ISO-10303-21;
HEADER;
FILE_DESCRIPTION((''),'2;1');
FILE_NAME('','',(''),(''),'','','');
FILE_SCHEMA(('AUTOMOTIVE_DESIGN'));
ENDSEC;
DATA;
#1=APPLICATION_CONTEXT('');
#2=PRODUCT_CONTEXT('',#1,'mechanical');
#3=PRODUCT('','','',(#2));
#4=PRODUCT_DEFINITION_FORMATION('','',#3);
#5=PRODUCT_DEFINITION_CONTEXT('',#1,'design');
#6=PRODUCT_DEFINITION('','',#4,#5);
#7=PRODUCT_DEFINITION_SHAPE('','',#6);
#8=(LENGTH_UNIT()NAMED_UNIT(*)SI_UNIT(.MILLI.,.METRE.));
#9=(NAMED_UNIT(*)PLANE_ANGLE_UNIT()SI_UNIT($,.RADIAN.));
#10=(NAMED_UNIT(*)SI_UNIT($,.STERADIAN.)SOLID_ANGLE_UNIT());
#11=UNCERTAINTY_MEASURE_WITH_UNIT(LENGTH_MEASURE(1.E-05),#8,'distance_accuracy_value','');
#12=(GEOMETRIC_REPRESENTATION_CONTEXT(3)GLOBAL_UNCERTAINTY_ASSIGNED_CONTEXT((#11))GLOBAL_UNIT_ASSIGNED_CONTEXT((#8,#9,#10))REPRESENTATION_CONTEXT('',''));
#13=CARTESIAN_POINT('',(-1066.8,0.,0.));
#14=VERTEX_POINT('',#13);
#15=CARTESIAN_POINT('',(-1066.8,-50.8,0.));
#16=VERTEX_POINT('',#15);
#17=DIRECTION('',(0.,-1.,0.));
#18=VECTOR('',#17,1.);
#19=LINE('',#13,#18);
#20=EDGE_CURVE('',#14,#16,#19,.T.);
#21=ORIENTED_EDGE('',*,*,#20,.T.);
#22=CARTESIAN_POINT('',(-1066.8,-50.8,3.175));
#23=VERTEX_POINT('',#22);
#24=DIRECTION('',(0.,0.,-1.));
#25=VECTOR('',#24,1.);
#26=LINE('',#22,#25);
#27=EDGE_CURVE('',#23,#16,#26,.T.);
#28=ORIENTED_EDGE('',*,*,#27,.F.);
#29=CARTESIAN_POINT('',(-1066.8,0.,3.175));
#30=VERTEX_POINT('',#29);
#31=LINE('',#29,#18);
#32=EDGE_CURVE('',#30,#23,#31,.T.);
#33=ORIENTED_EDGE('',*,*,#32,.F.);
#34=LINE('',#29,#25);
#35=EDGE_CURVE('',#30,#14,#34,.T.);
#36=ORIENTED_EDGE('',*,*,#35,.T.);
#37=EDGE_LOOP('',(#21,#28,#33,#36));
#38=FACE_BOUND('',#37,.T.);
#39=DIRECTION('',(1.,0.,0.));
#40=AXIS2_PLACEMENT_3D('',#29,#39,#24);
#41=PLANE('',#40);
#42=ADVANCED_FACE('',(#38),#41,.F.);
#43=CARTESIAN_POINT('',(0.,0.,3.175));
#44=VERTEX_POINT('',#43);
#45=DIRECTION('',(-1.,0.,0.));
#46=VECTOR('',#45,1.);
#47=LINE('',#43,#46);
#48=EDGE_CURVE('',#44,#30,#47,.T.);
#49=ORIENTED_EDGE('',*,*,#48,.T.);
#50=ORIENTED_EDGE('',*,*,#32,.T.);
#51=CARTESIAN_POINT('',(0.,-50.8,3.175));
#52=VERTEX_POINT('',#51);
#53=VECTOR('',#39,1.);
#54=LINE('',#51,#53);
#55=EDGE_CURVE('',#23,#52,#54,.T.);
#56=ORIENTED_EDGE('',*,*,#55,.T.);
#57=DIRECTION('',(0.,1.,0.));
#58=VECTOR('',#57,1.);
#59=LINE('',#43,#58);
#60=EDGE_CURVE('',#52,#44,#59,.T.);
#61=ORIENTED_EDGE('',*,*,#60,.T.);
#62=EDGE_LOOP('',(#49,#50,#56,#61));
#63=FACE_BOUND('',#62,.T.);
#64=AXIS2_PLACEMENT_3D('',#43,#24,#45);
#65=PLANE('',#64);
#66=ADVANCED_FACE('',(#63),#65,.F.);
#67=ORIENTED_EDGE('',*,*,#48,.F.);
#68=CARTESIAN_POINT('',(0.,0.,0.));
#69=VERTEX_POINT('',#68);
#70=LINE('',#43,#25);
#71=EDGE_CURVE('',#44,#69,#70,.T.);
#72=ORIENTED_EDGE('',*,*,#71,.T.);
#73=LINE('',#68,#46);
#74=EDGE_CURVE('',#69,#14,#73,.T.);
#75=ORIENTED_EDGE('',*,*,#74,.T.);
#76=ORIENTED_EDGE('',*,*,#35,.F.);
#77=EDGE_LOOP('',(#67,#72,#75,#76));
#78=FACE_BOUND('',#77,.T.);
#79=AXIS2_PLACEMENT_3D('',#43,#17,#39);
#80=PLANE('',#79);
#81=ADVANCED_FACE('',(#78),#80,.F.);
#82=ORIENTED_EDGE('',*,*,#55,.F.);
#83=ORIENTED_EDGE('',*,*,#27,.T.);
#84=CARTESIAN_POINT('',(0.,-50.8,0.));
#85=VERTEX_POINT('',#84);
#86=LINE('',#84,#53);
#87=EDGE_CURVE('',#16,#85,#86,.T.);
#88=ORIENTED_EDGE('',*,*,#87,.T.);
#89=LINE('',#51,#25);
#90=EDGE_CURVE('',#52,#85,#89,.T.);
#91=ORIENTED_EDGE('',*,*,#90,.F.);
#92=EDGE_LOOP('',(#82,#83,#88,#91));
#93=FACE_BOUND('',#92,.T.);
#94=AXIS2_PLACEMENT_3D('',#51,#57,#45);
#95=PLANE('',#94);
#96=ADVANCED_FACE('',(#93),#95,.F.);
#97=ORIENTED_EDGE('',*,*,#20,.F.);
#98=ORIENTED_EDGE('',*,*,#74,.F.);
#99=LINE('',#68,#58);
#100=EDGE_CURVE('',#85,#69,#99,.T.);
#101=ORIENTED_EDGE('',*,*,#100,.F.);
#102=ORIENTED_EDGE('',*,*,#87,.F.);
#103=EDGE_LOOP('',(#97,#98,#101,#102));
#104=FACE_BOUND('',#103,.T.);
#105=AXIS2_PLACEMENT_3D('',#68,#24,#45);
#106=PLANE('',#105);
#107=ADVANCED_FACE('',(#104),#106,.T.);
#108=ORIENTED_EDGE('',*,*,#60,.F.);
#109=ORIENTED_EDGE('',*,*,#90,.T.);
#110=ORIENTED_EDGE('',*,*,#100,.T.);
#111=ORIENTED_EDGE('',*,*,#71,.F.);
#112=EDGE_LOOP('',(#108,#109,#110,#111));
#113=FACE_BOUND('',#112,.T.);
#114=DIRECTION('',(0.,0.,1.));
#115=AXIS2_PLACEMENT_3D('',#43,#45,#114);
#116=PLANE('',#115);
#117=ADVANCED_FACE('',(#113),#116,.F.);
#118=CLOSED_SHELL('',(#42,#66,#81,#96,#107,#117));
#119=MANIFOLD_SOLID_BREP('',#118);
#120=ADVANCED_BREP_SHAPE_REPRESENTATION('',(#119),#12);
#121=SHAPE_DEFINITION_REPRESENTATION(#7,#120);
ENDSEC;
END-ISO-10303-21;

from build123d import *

# Parameters (mm, degrees)
SKETCH1_W           = 1066.8
SKETCH1_H           = 50.8
BOSS_EXTRUDE1_DEPTH = 3.175


with BuildPart() as part:
    # Sketch1 → Boss-Extrude1 (new body)
    with BuildSketch(Plane.XY):
        with Locations((-533.4, -25.4)):
            Rectangle(SKETCH1_W, SKETCH1_H)
    extrude(amount=BOSS_EXTRUDE1_DEPTH)


solid = part.part
